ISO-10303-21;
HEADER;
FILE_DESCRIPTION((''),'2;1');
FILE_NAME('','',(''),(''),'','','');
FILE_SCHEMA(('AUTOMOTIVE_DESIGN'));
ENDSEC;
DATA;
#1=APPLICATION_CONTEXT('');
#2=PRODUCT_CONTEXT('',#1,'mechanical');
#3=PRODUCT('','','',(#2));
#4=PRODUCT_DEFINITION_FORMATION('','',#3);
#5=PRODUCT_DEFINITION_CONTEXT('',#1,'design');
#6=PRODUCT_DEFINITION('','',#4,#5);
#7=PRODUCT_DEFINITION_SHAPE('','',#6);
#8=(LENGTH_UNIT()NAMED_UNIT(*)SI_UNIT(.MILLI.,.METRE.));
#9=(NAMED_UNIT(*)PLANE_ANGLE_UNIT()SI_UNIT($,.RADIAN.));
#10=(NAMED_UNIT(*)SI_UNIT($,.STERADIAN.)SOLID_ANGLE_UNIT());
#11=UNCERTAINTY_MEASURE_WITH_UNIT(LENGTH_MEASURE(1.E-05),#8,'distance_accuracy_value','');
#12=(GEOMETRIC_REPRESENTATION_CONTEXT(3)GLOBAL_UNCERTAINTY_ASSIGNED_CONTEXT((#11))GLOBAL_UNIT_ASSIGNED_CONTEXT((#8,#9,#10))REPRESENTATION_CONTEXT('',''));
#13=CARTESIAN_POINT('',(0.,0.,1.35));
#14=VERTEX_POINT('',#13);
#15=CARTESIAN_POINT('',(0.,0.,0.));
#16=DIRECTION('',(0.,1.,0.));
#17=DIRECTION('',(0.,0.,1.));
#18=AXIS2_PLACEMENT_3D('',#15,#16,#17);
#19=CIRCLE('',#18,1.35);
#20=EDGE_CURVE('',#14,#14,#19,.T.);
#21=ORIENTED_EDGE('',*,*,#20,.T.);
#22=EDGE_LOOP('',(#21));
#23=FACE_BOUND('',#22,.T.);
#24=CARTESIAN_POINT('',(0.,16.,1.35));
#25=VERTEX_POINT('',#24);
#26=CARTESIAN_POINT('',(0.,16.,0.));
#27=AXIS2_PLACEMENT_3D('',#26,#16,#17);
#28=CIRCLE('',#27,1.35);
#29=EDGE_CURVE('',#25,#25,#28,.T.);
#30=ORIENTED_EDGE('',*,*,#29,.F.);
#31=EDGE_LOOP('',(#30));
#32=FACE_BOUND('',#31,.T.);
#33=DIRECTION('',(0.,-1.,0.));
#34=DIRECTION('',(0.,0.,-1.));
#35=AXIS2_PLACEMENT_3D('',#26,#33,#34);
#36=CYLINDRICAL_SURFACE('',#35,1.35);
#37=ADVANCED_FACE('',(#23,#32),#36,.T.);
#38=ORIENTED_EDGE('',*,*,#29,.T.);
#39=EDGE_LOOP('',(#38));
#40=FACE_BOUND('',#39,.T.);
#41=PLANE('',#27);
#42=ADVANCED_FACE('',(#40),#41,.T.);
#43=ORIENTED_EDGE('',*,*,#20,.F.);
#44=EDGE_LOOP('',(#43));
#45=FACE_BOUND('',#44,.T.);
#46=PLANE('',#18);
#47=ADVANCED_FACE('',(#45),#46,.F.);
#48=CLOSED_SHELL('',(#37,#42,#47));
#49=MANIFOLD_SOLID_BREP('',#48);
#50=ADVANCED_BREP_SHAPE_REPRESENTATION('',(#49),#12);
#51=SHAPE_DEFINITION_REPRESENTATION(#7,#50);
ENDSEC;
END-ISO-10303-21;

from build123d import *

# Parameters (mm, degrees)
SKETCH_1_R      = 1.35
EXTRUDE_1_DEPTH = 16


with BuildPart() as part:
    # 草图1 → 凸台-拉伸1 (new body)
    with BuildSketch(Plane(origin=(0, 0, 0), x_dir=(1, 0, 0), z_dir=(0, 1, 0))):
        with Locations(Location((0, 0, 0), (0, 0, 270))):
            Circle(SKETCH_1_R)
    extrude(amount=EXTRUDE_1_DEPTH)


solid = part.part
